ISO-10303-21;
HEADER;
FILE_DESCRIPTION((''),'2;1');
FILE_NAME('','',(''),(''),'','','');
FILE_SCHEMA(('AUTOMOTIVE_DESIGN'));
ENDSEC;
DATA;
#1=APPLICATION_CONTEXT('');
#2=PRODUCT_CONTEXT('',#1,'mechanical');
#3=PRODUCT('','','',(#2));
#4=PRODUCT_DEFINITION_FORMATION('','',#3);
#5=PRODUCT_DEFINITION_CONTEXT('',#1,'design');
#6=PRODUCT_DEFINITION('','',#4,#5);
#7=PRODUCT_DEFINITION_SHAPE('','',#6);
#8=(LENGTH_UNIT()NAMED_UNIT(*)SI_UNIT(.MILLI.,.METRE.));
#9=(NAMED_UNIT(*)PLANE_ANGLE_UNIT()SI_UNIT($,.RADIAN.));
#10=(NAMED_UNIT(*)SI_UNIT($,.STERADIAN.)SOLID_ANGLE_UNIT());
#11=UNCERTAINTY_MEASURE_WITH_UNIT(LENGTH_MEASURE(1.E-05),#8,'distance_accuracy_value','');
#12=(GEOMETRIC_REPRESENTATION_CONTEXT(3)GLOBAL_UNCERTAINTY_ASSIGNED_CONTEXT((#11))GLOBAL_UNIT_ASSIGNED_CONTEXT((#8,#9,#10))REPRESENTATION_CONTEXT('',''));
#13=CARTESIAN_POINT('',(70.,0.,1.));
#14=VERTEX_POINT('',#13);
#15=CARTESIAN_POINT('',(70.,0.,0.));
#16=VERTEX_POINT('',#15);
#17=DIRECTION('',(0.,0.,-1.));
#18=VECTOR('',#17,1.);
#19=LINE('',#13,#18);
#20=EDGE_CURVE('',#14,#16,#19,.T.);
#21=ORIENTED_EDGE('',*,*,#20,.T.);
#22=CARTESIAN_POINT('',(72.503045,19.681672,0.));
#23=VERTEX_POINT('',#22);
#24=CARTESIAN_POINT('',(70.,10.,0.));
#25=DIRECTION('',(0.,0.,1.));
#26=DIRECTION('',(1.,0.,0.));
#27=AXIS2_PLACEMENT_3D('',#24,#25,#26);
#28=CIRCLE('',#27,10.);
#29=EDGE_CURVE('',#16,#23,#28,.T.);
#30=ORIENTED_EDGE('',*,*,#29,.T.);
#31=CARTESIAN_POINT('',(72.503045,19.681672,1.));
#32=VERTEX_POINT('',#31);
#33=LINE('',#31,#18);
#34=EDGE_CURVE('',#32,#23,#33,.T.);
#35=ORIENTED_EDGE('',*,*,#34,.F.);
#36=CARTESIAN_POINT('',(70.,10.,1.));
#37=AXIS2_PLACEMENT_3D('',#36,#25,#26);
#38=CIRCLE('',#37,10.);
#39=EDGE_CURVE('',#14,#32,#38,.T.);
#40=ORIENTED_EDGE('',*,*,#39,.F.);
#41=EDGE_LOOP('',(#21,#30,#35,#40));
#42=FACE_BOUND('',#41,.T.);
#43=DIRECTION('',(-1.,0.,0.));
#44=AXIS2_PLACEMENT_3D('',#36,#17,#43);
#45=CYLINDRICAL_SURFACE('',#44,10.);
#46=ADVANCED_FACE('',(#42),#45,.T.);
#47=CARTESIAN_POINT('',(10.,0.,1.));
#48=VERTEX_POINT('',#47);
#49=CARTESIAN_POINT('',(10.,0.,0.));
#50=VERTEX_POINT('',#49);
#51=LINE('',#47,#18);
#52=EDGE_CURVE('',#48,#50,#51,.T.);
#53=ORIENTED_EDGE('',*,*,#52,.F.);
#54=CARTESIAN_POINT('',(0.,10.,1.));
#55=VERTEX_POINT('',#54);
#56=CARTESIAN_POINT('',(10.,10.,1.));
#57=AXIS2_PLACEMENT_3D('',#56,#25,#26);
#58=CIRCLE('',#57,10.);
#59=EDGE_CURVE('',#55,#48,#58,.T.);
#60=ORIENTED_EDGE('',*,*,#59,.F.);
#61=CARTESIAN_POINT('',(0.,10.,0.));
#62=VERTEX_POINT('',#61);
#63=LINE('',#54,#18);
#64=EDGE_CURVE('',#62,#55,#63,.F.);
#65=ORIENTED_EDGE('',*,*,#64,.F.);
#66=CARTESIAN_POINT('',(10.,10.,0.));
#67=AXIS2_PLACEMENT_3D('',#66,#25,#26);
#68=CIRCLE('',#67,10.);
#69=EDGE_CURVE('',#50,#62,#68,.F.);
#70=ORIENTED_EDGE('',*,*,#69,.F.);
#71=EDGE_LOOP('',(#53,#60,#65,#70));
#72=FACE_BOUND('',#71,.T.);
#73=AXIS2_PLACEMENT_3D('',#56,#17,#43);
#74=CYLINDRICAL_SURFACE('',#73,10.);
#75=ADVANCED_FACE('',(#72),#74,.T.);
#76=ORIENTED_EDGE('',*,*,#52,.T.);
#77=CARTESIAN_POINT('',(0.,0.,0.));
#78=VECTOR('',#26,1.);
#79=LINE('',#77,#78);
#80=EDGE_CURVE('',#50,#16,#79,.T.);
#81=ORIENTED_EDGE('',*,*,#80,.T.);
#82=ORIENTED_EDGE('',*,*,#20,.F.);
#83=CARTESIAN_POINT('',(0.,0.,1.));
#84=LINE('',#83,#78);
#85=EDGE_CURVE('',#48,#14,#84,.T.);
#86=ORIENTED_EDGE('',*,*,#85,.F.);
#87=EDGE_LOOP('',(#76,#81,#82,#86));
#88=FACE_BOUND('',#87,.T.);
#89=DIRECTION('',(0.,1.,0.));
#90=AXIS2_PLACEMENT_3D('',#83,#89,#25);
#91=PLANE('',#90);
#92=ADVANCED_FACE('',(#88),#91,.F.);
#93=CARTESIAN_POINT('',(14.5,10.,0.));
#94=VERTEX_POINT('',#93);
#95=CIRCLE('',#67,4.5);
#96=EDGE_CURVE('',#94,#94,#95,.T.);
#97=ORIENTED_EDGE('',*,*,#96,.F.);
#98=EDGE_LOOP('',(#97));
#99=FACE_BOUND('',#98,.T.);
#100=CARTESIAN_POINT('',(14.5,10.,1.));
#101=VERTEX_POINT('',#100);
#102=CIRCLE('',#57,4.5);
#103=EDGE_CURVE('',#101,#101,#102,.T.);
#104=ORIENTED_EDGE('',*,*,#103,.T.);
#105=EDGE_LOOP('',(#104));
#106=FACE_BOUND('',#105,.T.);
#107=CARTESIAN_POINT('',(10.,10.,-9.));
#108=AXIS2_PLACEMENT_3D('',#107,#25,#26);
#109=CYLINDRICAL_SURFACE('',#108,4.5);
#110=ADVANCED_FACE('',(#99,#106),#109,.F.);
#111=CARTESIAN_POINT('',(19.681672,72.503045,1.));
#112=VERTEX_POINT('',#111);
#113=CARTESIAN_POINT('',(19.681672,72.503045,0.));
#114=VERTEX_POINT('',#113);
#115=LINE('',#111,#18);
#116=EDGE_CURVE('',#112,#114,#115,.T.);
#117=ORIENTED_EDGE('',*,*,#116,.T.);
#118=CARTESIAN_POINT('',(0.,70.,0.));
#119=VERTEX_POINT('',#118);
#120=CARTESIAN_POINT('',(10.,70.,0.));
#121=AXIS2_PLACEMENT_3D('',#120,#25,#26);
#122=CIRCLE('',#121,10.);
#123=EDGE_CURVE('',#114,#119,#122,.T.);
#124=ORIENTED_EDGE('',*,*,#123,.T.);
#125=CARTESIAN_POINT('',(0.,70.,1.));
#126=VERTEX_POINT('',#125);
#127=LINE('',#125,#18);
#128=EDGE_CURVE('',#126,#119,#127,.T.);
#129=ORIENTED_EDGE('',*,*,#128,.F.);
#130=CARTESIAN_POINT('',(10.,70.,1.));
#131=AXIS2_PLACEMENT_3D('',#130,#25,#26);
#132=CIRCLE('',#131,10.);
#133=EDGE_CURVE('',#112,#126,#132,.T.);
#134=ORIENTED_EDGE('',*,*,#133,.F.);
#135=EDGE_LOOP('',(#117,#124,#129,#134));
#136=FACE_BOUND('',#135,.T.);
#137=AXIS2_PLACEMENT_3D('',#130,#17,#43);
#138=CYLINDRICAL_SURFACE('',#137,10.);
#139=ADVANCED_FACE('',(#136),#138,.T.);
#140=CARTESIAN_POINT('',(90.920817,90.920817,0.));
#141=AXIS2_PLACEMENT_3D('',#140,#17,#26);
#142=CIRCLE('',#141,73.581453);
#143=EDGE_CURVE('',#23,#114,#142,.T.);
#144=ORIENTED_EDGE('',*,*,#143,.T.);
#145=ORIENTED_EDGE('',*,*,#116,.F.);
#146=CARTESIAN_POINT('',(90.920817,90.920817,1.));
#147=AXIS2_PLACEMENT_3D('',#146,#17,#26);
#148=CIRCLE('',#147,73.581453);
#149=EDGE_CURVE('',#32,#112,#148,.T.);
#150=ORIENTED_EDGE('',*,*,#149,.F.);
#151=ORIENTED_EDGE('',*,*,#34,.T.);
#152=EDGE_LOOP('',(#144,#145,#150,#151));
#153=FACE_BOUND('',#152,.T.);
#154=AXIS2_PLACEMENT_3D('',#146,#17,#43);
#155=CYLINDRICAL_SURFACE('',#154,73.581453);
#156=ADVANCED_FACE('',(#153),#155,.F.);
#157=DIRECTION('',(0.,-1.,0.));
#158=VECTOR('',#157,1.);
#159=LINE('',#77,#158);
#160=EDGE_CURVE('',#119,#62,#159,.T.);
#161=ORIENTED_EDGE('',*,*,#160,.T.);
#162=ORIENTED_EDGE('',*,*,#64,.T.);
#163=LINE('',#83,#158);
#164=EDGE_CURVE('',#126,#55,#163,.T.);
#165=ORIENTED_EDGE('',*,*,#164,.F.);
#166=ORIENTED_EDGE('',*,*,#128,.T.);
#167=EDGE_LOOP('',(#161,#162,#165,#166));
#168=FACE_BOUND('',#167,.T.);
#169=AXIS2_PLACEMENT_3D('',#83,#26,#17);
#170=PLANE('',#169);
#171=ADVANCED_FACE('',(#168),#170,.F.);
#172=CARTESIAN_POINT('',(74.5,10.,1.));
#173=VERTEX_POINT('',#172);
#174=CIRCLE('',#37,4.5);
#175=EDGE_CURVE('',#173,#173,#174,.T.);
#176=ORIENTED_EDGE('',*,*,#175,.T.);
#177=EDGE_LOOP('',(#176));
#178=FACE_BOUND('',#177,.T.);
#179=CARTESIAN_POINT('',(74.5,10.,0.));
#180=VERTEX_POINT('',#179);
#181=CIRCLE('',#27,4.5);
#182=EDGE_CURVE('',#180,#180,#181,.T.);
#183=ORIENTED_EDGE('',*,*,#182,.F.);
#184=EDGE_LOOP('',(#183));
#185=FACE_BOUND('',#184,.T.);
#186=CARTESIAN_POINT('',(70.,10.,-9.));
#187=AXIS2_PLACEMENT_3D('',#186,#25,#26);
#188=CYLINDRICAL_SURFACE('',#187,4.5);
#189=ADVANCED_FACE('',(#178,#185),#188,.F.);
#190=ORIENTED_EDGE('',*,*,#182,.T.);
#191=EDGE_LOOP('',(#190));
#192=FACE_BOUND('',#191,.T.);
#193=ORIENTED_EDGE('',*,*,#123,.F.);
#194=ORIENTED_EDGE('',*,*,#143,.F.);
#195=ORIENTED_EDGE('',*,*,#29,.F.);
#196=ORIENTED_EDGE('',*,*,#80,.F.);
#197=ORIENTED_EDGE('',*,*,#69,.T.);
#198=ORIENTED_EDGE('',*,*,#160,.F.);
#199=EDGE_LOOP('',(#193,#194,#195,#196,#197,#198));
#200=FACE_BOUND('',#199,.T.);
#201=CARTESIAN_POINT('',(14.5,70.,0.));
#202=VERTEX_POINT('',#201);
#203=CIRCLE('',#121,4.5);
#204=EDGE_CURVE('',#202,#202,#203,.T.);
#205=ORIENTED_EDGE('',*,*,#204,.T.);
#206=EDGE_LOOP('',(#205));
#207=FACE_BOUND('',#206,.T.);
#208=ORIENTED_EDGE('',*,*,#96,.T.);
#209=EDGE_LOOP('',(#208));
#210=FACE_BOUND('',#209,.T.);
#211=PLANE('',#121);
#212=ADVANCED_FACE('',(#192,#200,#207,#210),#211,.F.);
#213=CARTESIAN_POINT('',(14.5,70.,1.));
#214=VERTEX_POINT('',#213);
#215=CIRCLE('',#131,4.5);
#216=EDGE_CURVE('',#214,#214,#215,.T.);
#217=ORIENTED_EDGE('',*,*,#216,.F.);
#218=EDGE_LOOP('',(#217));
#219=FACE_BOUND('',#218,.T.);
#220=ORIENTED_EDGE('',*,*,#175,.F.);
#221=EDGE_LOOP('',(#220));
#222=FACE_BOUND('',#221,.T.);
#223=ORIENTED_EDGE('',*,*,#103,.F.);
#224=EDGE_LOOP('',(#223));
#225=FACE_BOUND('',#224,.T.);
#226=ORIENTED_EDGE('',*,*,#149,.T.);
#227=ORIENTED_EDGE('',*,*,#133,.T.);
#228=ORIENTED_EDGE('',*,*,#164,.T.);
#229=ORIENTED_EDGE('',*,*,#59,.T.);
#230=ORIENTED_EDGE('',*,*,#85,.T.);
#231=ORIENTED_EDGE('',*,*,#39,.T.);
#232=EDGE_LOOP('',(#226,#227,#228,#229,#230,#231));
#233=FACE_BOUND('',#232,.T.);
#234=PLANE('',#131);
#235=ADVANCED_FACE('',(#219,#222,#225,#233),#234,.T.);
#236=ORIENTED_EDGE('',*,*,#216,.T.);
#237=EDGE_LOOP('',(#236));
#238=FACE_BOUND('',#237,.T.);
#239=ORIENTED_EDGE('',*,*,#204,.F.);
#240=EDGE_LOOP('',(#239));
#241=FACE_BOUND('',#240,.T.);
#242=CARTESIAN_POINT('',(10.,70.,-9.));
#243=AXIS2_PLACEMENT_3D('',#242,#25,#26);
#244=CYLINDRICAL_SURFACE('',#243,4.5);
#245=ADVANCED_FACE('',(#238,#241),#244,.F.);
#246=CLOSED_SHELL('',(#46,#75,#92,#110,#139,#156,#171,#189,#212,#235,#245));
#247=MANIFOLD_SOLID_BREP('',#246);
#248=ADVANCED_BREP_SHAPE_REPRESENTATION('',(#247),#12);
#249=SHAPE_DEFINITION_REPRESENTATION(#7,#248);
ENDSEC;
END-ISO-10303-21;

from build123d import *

# Parameters (mm, degrees)
BOSS_EXTRUDE1_DEPTH = 1
FILLET1_R           = 10
SKETCH2_R           = 4.5
CUT_EXTRUDE1_DEPTH  = 10


with BuildPart() as part:
    # Sketch1 → Boss-Extrude1 (new body)
    with BuildSketch(Plane.XY):
        with BuildLine():
            Line((0, 0), (70, 0))
            ThreePointArc((70, 0), (79.920098672, 8.738396919), (72.50304541, 19.681671533))
            ThreePointArc((72.50304541, 19.681671533), (38.890872965, 38.890872965), (19.681671533, 72.50304541))
            ThreePointArc((19.681671533, 72.50304541), (8.738396919, 79.920098672), (0, 70))
            Line((0, 70), (0, 0))
        make_face()
    extrude(amount=BOSS_EXTRUDE1_DEPTH)

    # Fillet1
    fillet1_edges = [part.edges().sort_by_distance(p)[0] for p in [
        (0, 0, 0.5),
    ]]
    fillet(fillet1_edges, radius=FILLET1_R)

    # Sketch2 → Cut-Extrude1 (cut)
    with BuildSketch(Plane.XY.offset(1)):
        with Locations((10, 10)):
            Circle(SKETCH2_R)
        with Locations((70, 10)):
            Circle(SKETCH2_R)
        with Locations((10, 70)):
            Circle(SKETCH2_R)
    extrude(amount=-CUT_EXTRUDE1_DEPTH, mode=Mode.SUBTRACT)


solid = part.part
